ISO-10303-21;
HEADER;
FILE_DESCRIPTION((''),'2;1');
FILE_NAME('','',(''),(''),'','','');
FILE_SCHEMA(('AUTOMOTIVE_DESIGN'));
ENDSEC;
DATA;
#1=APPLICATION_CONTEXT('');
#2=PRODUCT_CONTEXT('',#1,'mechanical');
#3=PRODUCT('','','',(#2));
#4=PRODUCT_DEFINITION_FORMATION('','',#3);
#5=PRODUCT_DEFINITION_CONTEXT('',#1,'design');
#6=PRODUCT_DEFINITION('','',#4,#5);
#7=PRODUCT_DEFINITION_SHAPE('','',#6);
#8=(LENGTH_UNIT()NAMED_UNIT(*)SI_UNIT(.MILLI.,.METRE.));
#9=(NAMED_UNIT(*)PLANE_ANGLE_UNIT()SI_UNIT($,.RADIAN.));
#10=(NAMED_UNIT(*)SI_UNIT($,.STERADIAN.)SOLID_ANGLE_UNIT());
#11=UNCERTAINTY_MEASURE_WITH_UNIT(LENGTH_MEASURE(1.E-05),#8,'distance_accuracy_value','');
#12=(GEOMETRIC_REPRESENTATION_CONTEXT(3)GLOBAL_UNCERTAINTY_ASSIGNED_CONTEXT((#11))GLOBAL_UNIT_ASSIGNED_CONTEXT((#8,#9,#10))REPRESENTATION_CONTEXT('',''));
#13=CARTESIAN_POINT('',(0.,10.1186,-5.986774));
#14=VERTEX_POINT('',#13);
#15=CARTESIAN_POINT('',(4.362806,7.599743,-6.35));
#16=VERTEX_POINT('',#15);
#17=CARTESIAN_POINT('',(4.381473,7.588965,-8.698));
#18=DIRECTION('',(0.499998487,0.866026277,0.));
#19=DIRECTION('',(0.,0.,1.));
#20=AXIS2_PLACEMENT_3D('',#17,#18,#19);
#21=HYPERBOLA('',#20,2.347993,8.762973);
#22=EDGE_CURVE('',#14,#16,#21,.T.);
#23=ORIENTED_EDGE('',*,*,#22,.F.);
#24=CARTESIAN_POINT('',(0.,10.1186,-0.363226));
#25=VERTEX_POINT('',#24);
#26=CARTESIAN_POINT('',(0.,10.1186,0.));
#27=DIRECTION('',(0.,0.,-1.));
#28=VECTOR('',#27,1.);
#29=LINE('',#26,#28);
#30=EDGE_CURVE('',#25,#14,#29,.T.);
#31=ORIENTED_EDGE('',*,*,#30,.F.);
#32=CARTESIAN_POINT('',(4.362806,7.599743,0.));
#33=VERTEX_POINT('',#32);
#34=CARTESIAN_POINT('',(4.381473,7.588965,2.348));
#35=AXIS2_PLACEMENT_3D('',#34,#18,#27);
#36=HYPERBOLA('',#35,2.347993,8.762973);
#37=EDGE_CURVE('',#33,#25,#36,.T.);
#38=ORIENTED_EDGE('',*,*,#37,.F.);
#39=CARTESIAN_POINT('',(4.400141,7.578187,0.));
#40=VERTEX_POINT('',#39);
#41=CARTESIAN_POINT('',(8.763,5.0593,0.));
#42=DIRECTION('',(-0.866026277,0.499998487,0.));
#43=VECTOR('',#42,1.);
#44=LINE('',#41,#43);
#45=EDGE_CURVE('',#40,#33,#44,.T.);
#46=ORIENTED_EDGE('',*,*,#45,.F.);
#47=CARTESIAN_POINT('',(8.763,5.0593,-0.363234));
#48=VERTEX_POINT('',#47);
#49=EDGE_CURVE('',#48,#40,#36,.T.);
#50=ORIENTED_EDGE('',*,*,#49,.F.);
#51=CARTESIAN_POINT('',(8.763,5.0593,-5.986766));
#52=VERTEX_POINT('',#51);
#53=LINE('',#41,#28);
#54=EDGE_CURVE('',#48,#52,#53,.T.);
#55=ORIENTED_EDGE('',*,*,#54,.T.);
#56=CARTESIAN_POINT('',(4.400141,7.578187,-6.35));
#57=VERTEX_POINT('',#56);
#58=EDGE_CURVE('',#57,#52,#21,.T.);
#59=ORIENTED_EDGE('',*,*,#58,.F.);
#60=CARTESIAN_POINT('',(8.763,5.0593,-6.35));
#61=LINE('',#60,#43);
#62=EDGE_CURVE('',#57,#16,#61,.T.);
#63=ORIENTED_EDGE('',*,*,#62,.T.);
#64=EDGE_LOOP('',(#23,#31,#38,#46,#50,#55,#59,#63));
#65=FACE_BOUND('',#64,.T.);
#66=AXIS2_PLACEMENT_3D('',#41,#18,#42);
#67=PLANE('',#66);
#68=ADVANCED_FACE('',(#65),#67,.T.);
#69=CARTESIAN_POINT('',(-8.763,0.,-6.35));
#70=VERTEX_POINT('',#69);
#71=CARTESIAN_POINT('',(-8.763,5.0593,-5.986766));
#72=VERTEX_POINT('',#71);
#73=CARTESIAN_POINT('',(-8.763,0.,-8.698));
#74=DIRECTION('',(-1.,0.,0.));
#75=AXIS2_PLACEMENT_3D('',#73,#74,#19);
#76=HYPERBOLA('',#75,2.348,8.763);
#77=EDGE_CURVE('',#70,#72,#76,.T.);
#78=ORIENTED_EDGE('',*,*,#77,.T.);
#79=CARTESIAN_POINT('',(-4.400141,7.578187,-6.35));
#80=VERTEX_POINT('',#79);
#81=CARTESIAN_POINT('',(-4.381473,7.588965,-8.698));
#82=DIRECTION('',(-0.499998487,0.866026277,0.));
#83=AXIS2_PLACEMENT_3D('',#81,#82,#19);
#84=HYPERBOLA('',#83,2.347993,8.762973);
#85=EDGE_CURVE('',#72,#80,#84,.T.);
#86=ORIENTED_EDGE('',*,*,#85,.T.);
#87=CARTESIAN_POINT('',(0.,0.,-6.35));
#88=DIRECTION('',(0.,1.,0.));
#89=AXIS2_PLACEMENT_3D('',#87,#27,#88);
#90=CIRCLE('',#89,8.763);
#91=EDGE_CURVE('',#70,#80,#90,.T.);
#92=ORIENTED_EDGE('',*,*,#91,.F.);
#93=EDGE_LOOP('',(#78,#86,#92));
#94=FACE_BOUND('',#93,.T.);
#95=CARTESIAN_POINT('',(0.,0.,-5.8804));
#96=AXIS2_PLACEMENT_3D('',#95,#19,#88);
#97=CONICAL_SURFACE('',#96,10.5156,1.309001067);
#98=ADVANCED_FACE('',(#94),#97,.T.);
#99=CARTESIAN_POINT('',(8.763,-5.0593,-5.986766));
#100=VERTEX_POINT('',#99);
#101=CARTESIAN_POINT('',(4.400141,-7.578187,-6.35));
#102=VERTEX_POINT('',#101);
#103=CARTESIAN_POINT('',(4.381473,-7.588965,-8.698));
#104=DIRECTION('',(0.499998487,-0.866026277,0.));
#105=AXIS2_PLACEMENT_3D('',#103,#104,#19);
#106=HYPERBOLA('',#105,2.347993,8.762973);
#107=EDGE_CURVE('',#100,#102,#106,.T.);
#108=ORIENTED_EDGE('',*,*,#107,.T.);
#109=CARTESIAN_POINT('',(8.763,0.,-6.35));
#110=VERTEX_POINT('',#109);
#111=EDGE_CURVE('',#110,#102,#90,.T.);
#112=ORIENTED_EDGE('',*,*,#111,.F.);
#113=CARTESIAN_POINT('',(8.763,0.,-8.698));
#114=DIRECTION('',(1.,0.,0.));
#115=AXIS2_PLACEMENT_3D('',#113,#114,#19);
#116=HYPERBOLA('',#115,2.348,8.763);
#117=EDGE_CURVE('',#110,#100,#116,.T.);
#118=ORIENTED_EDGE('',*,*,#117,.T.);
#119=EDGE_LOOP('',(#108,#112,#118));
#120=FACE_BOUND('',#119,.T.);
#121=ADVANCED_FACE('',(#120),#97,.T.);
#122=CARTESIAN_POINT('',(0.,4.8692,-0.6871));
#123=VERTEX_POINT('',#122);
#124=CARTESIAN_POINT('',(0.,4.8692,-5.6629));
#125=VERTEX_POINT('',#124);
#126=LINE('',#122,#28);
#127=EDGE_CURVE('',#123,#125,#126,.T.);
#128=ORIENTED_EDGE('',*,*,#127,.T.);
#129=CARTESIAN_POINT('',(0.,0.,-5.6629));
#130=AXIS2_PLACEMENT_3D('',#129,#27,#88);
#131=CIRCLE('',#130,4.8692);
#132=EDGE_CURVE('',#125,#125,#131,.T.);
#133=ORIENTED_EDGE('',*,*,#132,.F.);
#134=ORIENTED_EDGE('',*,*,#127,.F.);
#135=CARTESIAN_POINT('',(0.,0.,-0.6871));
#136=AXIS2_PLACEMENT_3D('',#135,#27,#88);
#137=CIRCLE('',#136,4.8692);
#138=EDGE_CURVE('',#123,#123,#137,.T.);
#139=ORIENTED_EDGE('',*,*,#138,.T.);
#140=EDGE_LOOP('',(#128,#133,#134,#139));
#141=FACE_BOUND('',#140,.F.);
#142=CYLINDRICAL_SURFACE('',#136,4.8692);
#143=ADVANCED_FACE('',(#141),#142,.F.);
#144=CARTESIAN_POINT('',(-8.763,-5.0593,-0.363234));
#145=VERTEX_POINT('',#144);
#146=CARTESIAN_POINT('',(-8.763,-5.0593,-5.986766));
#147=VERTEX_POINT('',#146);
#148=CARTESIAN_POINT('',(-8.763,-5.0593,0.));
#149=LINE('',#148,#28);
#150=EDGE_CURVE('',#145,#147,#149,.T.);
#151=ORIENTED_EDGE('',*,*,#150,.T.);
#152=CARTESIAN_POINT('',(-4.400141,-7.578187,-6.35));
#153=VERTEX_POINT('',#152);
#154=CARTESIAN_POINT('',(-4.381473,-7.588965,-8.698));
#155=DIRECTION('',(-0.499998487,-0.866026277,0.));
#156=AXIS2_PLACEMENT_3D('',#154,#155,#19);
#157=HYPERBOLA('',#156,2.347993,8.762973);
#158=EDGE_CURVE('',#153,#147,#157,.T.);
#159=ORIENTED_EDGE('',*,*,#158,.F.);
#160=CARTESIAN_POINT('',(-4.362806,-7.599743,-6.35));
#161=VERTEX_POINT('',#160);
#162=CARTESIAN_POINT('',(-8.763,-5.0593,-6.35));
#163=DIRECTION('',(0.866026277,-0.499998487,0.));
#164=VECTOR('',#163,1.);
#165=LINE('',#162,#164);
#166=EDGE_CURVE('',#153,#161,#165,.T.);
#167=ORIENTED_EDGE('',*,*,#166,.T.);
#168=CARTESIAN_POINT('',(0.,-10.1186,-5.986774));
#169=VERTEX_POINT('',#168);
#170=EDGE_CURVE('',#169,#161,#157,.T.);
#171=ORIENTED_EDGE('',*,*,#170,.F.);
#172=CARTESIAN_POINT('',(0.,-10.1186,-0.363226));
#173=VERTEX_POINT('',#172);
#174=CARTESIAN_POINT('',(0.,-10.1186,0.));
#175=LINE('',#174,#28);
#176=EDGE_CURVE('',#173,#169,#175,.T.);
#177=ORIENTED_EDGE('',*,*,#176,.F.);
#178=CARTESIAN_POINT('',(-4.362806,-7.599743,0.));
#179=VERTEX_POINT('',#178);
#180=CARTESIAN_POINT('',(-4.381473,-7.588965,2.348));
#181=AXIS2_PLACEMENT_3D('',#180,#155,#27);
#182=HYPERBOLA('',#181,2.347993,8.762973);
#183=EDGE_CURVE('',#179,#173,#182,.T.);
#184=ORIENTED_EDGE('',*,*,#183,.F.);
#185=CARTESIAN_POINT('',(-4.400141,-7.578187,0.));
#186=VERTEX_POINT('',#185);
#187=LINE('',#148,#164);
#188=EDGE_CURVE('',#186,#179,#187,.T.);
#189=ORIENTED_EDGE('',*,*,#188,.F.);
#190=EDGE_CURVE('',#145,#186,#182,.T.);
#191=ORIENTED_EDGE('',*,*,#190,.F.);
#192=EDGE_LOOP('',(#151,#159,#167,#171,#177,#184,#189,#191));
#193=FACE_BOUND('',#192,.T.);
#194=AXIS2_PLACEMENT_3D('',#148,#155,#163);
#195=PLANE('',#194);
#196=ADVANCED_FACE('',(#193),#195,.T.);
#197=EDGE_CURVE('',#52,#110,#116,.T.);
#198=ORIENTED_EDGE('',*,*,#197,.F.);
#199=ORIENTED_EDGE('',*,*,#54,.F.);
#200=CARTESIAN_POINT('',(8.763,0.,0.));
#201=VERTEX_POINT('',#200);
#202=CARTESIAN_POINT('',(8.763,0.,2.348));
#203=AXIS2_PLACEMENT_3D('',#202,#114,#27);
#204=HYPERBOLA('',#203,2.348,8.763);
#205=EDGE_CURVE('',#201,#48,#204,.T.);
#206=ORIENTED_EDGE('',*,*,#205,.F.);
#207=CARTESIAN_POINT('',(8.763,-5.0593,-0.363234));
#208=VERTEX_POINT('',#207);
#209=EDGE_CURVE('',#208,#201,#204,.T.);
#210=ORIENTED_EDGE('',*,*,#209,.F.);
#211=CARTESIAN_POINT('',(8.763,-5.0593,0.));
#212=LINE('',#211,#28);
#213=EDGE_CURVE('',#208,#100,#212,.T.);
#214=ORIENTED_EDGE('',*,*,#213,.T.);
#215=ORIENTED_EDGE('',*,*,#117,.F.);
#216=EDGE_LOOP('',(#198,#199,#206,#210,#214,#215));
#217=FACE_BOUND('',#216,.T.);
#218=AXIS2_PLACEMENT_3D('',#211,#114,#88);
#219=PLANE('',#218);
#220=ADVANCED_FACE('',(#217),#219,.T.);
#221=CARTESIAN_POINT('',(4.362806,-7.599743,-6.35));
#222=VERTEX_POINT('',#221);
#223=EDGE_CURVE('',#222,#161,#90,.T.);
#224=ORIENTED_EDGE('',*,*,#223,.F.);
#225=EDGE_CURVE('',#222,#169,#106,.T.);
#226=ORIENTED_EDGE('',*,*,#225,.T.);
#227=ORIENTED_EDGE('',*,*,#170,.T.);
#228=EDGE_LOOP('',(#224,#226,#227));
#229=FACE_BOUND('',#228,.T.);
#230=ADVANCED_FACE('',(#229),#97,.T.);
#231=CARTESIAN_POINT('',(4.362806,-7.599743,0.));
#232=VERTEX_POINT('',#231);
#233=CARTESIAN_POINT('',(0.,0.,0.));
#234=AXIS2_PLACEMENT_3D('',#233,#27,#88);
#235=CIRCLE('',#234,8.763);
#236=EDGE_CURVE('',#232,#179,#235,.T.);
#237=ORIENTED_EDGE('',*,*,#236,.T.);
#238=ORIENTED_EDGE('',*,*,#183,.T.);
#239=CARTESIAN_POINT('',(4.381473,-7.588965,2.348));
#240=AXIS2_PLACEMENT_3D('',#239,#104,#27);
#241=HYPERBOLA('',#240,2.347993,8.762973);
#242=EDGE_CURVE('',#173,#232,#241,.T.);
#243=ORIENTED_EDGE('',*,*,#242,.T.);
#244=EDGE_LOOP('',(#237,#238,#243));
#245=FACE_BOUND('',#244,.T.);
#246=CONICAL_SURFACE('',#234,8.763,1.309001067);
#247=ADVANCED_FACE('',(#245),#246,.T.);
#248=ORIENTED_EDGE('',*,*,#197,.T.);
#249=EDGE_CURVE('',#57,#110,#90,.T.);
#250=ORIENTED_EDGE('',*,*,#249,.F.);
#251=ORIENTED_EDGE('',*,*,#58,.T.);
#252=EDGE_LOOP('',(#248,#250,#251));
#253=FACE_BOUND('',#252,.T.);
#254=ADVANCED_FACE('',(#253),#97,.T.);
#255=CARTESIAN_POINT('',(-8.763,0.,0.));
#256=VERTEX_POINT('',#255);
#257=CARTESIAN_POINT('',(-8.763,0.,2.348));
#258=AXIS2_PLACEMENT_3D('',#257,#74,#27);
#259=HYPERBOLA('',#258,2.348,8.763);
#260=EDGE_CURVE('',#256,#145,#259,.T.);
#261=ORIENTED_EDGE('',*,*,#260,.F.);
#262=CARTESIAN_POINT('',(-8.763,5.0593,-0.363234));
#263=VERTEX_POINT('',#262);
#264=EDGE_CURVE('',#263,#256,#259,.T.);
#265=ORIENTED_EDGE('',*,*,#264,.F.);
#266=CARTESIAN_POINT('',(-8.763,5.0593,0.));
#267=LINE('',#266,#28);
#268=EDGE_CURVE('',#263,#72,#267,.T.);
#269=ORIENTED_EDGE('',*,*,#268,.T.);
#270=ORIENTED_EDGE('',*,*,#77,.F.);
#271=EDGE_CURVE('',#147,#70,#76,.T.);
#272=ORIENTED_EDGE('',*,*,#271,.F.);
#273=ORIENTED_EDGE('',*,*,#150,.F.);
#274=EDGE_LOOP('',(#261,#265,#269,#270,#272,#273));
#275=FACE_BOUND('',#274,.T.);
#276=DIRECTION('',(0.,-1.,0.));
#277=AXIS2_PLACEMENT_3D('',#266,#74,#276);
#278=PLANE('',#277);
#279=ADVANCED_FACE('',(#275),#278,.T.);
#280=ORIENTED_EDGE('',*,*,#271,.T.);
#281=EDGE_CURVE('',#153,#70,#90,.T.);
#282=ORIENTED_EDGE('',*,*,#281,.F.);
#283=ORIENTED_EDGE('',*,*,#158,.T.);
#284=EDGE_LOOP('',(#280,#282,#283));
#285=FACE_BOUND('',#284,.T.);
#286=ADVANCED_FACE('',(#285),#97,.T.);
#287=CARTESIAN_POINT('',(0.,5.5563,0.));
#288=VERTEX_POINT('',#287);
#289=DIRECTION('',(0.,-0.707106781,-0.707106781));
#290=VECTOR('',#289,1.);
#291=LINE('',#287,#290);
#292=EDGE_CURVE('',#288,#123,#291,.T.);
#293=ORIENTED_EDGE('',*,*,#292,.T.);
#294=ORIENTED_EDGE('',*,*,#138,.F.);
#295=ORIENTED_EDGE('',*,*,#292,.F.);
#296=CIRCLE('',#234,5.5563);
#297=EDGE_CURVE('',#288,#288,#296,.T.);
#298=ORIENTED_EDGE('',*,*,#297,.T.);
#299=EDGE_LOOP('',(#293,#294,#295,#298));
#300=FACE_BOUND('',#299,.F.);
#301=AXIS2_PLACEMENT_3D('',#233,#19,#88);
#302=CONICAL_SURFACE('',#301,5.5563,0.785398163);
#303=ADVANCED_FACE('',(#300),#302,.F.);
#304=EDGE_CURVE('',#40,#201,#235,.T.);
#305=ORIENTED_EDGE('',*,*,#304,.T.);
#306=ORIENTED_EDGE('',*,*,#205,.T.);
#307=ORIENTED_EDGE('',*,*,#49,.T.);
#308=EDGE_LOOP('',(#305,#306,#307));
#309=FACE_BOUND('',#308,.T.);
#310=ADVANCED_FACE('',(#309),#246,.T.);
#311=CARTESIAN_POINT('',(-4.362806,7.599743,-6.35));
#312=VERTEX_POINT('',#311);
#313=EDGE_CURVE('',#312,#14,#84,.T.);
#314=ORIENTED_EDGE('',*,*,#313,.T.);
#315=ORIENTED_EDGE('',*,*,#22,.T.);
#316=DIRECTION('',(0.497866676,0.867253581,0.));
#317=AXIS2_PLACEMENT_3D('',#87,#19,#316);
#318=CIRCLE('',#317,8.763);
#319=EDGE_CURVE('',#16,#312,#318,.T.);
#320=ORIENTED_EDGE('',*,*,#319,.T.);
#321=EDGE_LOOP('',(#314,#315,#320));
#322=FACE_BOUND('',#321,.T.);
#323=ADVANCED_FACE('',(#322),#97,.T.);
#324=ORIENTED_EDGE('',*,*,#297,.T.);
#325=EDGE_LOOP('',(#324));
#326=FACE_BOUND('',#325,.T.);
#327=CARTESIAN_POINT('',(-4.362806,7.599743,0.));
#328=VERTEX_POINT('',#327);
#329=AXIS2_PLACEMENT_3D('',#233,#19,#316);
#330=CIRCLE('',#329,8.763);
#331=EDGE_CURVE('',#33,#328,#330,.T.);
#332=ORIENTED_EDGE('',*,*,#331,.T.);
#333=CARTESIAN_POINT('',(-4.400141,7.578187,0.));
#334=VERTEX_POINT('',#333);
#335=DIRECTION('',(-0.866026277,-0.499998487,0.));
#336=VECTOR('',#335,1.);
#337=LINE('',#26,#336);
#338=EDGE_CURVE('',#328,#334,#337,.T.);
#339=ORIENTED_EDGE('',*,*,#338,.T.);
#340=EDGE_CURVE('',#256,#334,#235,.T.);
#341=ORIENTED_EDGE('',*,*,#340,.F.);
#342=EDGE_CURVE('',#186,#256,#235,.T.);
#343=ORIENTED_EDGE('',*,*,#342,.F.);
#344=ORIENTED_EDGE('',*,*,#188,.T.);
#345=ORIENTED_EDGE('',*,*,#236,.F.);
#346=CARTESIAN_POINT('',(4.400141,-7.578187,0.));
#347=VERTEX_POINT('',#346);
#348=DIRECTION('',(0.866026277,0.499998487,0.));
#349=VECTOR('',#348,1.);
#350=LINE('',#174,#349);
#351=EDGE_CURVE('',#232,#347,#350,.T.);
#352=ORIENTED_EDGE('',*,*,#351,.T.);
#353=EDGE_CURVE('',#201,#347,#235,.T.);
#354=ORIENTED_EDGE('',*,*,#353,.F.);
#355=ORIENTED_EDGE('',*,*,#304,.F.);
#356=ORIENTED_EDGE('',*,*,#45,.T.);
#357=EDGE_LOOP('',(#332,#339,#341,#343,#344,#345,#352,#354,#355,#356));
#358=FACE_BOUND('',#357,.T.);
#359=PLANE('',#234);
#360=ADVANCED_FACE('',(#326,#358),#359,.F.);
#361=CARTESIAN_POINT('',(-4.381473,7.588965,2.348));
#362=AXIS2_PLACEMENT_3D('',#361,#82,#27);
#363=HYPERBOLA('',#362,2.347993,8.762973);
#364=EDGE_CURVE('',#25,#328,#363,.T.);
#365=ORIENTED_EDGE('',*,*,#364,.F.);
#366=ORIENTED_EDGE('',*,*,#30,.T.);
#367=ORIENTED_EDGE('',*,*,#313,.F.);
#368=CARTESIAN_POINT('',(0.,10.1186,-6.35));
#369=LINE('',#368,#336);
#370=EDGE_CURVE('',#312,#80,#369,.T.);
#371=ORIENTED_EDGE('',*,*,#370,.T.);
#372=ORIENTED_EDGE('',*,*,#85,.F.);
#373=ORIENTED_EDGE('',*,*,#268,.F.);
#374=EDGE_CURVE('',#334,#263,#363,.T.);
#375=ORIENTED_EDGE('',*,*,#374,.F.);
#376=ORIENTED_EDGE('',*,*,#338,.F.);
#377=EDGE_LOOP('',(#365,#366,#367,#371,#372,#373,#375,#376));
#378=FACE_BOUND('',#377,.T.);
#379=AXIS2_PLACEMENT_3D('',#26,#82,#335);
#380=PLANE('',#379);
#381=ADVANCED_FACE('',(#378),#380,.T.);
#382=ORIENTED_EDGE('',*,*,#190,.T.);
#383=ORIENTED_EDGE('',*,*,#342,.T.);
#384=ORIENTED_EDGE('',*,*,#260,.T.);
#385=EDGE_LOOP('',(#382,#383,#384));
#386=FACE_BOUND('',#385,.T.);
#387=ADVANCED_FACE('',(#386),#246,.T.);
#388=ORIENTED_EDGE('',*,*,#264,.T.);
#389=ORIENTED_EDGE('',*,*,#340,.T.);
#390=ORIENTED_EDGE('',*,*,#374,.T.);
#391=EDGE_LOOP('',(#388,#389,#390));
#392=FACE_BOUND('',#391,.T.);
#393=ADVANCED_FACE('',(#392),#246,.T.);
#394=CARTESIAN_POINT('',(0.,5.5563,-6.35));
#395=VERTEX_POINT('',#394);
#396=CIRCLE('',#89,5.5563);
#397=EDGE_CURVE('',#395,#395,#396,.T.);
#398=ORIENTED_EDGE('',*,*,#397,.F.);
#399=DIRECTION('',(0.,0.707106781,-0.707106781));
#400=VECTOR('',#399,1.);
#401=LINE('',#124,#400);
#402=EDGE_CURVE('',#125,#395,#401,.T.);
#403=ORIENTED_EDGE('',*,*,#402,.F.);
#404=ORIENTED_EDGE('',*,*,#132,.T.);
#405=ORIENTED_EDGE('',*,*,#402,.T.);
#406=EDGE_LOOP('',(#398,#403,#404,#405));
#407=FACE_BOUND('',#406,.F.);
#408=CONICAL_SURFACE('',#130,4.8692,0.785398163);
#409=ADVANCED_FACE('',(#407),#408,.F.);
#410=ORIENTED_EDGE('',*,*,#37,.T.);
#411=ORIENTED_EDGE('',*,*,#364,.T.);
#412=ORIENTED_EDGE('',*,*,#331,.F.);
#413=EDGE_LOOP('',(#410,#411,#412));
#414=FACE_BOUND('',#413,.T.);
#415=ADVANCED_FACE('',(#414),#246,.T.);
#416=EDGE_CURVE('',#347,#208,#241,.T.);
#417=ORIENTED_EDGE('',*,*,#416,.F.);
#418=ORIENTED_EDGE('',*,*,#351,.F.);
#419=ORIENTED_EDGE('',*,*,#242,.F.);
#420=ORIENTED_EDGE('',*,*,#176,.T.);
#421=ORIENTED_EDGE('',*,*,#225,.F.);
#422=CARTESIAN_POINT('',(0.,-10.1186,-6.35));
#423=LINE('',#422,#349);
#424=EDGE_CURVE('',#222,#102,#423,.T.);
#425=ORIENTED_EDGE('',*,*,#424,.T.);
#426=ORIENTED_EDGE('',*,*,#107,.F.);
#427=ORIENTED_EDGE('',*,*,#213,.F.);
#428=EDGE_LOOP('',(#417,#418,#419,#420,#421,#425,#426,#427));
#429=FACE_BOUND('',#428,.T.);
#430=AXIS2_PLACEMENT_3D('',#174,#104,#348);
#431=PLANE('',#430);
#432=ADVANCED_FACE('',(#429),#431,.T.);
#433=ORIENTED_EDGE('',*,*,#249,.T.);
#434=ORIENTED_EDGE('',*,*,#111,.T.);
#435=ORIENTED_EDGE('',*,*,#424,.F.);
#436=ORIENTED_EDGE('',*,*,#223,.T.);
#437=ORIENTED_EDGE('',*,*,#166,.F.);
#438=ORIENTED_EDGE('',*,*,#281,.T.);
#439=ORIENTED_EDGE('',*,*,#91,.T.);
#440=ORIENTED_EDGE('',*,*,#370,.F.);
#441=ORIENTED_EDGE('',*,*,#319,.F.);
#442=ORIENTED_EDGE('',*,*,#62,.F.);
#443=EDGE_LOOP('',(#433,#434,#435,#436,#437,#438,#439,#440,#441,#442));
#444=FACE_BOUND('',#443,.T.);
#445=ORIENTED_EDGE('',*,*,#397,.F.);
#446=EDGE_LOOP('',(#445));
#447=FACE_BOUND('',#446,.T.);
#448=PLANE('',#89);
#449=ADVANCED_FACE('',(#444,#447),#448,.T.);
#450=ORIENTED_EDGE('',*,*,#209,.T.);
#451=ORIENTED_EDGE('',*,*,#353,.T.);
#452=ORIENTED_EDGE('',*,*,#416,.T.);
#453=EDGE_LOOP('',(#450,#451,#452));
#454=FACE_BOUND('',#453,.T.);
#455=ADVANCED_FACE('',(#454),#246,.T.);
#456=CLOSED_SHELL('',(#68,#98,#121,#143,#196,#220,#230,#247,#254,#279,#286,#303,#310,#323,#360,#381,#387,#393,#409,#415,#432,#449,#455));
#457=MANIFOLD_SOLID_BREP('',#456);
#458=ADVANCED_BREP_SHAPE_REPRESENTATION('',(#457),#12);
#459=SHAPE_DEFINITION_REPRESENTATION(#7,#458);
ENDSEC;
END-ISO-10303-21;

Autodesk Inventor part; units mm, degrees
sketch "Sketch_8" plane through (0, 0, 0) normal (1, 0, 0) x (0, 1, 0)
  line L0 (0, -6.35) -> (0, 0)
  line L1 (0, 0) -> (8.763, 0)
  line L2 (8.763, 0) -> (10.5156, -0.4696)
  line L3 (10.5156, -0.4696) -> (10.5156, -5.8804)
  line L4 (10.5156, -5.8804) -> (8.763, -6.35)
  line L5 (8.763, -6.35) -> (0, -6.35)
  line L6 (0, -6.35) -> (0, 0)
sketch "Sketch_10" plane through (0, 0, 0) normal (0, 0, 1) x (1, 0, 0)
  line L0 (-17.526, -17.526) -> (17.526, -17.526)
  line L1 (17.526, -17.526) -> (17.526, 17.526)
  line L2 (17.526, 17.526) -> (-17.526, 17.526)
  line L3 (-17.526, 17.526) -> (-17.526, -17.526)
  line L4 (-8.763, -5.0593) -> (0, -10.1186)
  line L5 (0, -10.1186) -> (8.763, -5.0593)
  line L6 (8.763, -5.0593) -> (8.763, 5.0593)
  line L7 (8.763, 5.0593) -> (0, 10.1186)
  line L8 (0, 10.1186) -> (-8.763, 5.0593)
  line L9 (-8.763, 5.0593) -> (-8.763, -5.0593)
revolve "Revolution1" add sketch "Sketch_8" angle 360 about axis through (0, 0, -6.35) along (0, 0, -1)
extrude "Extrusion1" cut sketch "Sketch_10" against normal blind 6.35
sketch "Sketch_11" plane through (0, 0, 0) normal (1, 0, 0) x (0, 1, 0)
  line L0 (0, -6.35) -> (0, 0)
  line L1 (0, 0) -> (5.5563, 0)
  line L2 (5.5563, 0) -> (4.8692, -0.6871)
  line L3 (4.8692, -0.6871) -> (4.8692, -5.6629)
  line L4 (4.8692, -5.6629) -> (5.5563, -6.35)
  line L5 (5.5563, -6.35) -> (0, -6.35)
  line L6 (0, -6.35) -> (0, 0)
revolve "Revolution2" cut sketch "Sketch_11" angle 360 about axis through (0, 0, -6.35) along (0, 0, -1)
thread "Thread1" size "7/16-20 UNF" class "2B" standard "ANSI Unified Screw Threads" full length
ref_plane "NUT_XY" through (0, 0, 0) normal (0, 0, 1) x (1, 0, 0)
ref_plane "NUT_YZ" through (0, 0, 0) normal (1, 0, 0) x (0, 1, 0)
ref_plane "NUT_ZX" through (0, 0, 0) normal (0, 1, 0) x (0, 0, 1)
ref_plane "a1_XY" through (-8.763, 8.763, 0) normal (0, 0, 1) x (1, 0, 0)
ref_plane "a1_YZ" through (-8.763, 8.763, 0) normal (1, 0, 0) x (0, 1, 0)
ref_plane "a1_ZX" through (-8.763, 8.763, 0) normal (0, 1, 0) x (0, 0, 1)
ref_plane "a2_XY" through (8.763, 8.763, 0) normal (0, 0, 1) x (1, 0, 0)
ref_plane "a2_YZ" through (8.763, 8.763, 0) normal (1, 0, 0) x (0, 1, 0)
ref_plane "a2_ZX" through (8.763, 8.763, 0) normal (0, 1, 0) x (0, 0, 1)
ref_plane "b1_XY" through (0, 8.763, 0) normal (1, 0, 0) x (0, 0, -1)
ref_plane "b1_YZ" through (0, 8.763, 0) normal (0, 0, -1) x (0, 1, 0)
ref_plane "b1_ZX" through (0, 8.763, 0) normal (0, 1, 0) x (1, 0, 0)
ref_plane "b2_XY" through (0, 8.763, -6.35) normal (1, 0, 0) x (0, 0, -1)
ref_plane "b2_YZ" through (0, 8.763, -6.35) normal (0, 0, -1) x (0, 1, 0)
ref_plane "b2_ZX" through (0, 8.763, -6.35) normal (0, 1, 0) x (1, 0, 0)
ref_plane "e_XY" through (0, 0, -6.35) normal (1, 0, 0) x (0, 0, -1)
ref_plane "e_YZ" through (0, 0, -6.35) normal (0, 0, -1) x (0, 1, 0)
ref_plane "e_ZX" through (0, 0, -6.35) normal (0, 1, 0) x (1, 0, 0)
ref_plane "ol1_XY" through (0, 0, -8.763) normal (0, 1, 0) x (1, 0, 0)
ref_plane "ol1_YZ" through (0, 0, -8.763) normal (1, 0, 0) x (0, 0, -1)
ref_plane "ol1_ZX" through (0, 0, -8.763) normal (0, 0, -1) x (0, 1, 0)
ref_plane "ol2_XY" through (6.35, 0, -8.763) normal (0, 1, 0) x (1, 0, 0)
ref_plane "ol2_YZ" through (6.35, 0, -8.763) normal (1, 0, 0) x (0, 0, -1)
ref_plane "ol2_ZX" through (6.35, 0, -8.763) normal (0, 0, -1) x (0, 1, 0)
ref_plane "th1_XY" through (0, 5.5563, -6.35) normal (1, 0, 0) x (0, 0, -1)
ref_plane "th1_YZ" through (0, 5.5563, -6.35) normal (0, 0, -1) x (0, 1, 0)
ref_plane "th1_ZX" through (0, 5.5563, -6.35) normal (0, 1, 0) x (1, 0, 0)
ref_plane "th2_XY" through (0, -5.5563, -6.35) normal (1, 0, 0) x (0, 0, -1)
ref_plane "th2_YZ" through (0, -5.5563, -6.35) normal (0, 0, -1) x (0, 1, 0)
ref_plane "th2_ZX" through (0, -5.5563, -6.35) normal (0, 1, 0) x (1, 0, 0)
properties part number "D-154"
